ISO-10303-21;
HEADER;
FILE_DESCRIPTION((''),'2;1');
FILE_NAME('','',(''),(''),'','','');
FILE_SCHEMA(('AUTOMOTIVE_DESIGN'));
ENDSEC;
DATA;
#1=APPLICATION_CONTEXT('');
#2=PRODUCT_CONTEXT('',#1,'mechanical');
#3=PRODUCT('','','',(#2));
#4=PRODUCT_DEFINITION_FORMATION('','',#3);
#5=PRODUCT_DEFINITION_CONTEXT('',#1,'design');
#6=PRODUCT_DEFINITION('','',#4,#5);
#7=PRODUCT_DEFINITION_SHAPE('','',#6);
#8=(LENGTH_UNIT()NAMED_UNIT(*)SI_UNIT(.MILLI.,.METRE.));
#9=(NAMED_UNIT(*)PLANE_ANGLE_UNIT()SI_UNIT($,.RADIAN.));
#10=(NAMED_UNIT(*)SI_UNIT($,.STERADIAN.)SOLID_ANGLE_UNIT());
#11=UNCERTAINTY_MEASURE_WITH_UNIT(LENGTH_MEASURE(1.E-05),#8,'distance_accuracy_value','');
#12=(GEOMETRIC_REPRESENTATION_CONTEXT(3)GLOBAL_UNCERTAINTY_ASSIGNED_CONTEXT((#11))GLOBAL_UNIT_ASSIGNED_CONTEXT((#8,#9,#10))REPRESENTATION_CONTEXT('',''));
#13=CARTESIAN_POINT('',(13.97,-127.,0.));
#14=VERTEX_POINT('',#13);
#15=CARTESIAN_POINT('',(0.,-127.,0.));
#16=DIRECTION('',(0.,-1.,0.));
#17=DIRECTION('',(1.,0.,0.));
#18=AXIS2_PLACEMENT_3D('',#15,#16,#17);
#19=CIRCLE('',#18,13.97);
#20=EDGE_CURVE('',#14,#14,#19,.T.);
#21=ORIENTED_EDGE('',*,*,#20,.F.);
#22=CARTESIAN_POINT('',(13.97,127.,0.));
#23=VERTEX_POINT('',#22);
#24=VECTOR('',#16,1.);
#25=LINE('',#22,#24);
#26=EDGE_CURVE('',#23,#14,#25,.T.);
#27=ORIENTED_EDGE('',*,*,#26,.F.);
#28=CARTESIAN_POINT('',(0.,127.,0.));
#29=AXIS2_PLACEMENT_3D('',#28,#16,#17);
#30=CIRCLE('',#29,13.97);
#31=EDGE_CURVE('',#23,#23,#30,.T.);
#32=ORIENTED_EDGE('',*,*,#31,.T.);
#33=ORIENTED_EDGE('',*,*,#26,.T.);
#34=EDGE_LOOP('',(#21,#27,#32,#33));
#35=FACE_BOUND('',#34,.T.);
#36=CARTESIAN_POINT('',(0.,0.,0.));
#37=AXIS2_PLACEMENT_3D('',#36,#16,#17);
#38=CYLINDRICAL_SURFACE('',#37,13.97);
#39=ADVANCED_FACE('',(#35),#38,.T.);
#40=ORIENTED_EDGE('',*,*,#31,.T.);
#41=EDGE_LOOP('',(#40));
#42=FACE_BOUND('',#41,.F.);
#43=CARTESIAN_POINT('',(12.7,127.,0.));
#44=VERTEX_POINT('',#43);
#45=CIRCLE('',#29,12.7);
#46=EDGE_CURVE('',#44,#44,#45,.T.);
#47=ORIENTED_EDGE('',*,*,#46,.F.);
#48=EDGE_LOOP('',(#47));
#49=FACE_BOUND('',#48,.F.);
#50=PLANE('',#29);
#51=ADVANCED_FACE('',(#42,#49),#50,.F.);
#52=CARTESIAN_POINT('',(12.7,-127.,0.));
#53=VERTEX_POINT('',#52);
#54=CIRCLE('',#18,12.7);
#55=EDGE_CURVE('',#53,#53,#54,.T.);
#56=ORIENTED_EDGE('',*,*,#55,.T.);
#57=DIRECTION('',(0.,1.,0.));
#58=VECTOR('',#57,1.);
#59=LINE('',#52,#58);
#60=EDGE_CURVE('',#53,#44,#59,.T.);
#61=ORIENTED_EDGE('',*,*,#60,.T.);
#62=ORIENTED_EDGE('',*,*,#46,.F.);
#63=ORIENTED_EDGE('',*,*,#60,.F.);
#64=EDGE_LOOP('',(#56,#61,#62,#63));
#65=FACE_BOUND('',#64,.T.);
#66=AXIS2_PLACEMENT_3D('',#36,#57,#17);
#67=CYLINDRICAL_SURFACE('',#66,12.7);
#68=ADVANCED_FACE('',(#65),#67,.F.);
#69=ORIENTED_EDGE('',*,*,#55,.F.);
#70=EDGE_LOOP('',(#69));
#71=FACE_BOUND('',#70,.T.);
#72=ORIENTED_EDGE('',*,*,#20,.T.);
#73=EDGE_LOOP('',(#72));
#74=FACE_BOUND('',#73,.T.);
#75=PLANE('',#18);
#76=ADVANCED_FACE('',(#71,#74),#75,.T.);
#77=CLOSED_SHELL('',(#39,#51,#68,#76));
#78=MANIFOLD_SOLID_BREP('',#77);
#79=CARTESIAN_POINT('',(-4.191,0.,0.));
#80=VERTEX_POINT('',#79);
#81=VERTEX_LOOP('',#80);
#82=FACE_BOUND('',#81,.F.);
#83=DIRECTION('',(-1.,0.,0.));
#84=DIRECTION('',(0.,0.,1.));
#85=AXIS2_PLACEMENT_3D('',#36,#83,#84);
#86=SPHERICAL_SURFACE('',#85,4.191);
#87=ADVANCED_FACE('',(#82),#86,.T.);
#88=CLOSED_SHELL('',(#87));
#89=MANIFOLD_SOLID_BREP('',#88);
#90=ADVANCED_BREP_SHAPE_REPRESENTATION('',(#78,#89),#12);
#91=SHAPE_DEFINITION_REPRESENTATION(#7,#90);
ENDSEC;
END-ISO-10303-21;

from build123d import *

# Parameters (mm, degrees)
F0_R     = 13.97
F0_R_2   = 12.7
F2_DEPTH = 127


with BuildPart() as f1:
    # F0 (on Front) → F1 (revolve)
    with BuildSketch(Plane.XZ):
        with BuildLine():
            Line((-4.191, 0), (4.191, 0))
            ThreePointArc((4.191, 0), (0, 4.191), (-4.191, 0))
        make_face()
    revolve(axis=Axis((0, 0, 0), (1, 0, 0)))


with BuildPart() as f2:
    # F0 (on Front) → F2 (new body, symmetric)
    with BuildSketch(Plane.XZ):
        Circle(F0_R)
        Circle(F0_R_2, mode=Mode.SUBTRACT)
    extrude(amount=F2_DEPTH, both=True)


solid = Compound([f1.part, f2.part])
